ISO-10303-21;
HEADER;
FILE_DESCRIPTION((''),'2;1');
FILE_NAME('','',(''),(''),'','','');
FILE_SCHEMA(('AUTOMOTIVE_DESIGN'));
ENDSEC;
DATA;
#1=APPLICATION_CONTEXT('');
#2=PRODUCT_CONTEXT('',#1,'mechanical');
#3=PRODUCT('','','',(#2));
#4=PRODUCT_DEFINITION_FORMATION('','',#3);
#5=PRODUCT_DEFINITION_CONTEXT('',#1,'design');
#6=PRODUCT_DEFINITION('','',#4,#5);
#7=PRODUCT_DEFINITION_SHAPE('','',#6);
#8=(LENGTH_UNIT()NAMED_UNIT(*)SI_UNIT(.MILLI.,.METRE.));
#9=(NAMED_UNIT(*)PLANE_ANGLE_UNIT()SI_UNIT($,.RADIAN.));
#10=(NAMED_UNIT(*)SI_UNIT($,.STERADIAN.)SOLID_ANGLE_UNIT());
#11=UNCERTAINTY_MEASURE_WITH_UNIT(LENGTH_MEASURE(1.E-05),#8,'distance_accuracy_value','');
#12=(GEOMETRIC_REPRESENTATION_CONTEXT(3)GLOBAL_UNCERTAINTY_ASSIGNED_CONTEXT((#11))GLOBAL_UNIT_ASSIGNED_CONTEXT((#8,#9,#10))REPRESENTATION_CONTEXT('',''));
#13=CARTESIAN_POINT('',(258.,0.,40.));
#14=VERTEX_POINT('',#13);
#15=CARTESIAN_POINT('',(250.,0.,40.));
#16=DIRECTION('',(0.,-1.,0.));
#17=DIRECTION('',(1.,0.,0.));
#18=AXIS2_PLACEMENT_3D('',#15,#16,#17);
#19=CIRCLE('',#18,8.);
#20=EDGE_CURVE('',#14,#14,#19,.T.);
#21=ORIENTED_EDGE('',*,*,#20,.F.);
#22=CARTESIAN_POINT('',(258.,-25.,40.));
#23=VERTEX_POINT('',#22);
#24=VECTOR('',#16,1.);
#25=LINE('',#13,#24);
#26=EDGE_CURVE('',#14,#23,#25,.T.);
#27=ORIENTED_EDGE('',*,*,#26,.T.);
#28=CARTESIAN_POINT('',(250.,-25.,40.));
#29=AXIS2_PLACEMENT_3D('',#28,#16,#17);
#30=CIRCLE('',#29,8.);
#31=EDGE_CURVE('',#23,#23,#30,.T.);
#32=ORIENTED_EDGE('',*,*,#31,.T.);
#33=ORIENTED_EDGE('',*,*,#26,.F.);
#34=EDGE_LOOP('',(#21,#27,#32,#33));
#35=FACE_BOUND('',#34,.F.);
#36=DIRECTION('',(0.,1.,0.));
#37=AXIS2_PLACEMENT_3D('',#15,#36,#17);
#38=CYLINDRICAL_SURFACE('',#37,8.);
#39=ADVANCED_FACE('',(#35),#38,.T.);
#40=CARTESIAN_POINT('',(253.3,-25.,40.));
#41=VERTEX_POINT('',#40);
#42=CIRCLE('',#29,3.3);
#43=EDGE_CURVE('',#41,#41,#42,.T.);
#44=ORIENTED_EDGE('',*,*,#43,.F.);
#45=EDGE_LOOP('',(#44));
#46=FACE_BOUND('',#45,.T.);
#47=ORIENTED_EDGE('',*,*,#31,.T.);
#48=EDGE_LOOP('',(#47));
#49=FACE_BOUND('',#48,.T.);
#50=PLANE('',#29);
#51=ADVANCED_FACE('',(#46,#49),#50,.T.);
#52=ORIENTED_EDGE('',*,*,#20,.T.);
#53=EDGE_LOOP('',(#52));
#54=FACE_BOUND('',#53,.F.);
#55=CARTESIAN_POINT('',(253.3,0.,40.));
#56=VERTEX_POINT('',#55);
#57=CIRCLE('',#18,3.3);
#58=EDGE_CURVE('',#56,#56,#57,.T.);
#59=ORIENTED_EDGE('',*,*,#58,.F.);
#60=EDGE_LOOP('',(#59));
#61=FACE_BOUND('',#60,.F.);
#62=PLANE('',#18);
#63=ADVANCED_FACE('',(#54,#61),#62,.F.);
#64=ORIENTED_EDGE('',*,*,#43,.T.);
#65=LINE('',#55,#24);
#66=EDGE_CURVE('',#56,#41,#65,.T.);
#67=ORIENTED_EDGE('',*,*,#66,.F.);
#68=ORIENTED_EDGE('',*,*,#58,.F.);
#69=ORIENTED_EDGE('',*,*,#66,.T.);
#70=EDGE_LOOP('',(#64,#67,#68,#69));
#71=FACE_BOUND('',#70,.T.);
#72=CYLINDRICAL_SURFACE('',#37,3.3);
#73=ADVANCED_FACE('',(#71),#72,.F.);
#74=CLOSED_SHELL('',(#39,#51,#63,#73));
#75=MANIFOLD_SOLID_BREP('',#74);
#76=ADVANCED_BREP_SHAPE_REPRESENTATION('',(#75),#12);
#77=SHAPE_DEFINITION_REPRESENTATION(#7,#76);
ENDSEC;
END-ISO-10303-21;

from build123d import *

# Parameters (mm, degrees)
CYLINDER047_R     = 3.3
CYLINDER047_DEPTH = 25
CYLINDER045_R     = 8
CYLINDER045_DEPTH = 25


with BuildPart() as zylinder047:
    # Cylinder047 → Cylinder047 (new body)
    with BuildSketch(Plane(origin=(250, 0, 40), x_dir=(1, 0, 0), z_dir=(0, -1, 0))):
        Circle(CYLINDER047_R)
    extrude(amount=CYLINDER047_DEPTH)


with BuildPart() as spacer02:
    # Cylinder045 → Cylinder045 (new body)
    with BuildSketch(Plane(origin=(250, 0, 40), x_dir=(1, 0, 0), z_dir=(0, -1, 0))):
        Circle(CYLINDER045_R)
    extrude(amount=CYLINDER045_DEPTH)

    # Cut007: cut Zylinder047
    add(zylinder047.part, mode=Mode.SUBTRACT)


solid = spacer02.part
